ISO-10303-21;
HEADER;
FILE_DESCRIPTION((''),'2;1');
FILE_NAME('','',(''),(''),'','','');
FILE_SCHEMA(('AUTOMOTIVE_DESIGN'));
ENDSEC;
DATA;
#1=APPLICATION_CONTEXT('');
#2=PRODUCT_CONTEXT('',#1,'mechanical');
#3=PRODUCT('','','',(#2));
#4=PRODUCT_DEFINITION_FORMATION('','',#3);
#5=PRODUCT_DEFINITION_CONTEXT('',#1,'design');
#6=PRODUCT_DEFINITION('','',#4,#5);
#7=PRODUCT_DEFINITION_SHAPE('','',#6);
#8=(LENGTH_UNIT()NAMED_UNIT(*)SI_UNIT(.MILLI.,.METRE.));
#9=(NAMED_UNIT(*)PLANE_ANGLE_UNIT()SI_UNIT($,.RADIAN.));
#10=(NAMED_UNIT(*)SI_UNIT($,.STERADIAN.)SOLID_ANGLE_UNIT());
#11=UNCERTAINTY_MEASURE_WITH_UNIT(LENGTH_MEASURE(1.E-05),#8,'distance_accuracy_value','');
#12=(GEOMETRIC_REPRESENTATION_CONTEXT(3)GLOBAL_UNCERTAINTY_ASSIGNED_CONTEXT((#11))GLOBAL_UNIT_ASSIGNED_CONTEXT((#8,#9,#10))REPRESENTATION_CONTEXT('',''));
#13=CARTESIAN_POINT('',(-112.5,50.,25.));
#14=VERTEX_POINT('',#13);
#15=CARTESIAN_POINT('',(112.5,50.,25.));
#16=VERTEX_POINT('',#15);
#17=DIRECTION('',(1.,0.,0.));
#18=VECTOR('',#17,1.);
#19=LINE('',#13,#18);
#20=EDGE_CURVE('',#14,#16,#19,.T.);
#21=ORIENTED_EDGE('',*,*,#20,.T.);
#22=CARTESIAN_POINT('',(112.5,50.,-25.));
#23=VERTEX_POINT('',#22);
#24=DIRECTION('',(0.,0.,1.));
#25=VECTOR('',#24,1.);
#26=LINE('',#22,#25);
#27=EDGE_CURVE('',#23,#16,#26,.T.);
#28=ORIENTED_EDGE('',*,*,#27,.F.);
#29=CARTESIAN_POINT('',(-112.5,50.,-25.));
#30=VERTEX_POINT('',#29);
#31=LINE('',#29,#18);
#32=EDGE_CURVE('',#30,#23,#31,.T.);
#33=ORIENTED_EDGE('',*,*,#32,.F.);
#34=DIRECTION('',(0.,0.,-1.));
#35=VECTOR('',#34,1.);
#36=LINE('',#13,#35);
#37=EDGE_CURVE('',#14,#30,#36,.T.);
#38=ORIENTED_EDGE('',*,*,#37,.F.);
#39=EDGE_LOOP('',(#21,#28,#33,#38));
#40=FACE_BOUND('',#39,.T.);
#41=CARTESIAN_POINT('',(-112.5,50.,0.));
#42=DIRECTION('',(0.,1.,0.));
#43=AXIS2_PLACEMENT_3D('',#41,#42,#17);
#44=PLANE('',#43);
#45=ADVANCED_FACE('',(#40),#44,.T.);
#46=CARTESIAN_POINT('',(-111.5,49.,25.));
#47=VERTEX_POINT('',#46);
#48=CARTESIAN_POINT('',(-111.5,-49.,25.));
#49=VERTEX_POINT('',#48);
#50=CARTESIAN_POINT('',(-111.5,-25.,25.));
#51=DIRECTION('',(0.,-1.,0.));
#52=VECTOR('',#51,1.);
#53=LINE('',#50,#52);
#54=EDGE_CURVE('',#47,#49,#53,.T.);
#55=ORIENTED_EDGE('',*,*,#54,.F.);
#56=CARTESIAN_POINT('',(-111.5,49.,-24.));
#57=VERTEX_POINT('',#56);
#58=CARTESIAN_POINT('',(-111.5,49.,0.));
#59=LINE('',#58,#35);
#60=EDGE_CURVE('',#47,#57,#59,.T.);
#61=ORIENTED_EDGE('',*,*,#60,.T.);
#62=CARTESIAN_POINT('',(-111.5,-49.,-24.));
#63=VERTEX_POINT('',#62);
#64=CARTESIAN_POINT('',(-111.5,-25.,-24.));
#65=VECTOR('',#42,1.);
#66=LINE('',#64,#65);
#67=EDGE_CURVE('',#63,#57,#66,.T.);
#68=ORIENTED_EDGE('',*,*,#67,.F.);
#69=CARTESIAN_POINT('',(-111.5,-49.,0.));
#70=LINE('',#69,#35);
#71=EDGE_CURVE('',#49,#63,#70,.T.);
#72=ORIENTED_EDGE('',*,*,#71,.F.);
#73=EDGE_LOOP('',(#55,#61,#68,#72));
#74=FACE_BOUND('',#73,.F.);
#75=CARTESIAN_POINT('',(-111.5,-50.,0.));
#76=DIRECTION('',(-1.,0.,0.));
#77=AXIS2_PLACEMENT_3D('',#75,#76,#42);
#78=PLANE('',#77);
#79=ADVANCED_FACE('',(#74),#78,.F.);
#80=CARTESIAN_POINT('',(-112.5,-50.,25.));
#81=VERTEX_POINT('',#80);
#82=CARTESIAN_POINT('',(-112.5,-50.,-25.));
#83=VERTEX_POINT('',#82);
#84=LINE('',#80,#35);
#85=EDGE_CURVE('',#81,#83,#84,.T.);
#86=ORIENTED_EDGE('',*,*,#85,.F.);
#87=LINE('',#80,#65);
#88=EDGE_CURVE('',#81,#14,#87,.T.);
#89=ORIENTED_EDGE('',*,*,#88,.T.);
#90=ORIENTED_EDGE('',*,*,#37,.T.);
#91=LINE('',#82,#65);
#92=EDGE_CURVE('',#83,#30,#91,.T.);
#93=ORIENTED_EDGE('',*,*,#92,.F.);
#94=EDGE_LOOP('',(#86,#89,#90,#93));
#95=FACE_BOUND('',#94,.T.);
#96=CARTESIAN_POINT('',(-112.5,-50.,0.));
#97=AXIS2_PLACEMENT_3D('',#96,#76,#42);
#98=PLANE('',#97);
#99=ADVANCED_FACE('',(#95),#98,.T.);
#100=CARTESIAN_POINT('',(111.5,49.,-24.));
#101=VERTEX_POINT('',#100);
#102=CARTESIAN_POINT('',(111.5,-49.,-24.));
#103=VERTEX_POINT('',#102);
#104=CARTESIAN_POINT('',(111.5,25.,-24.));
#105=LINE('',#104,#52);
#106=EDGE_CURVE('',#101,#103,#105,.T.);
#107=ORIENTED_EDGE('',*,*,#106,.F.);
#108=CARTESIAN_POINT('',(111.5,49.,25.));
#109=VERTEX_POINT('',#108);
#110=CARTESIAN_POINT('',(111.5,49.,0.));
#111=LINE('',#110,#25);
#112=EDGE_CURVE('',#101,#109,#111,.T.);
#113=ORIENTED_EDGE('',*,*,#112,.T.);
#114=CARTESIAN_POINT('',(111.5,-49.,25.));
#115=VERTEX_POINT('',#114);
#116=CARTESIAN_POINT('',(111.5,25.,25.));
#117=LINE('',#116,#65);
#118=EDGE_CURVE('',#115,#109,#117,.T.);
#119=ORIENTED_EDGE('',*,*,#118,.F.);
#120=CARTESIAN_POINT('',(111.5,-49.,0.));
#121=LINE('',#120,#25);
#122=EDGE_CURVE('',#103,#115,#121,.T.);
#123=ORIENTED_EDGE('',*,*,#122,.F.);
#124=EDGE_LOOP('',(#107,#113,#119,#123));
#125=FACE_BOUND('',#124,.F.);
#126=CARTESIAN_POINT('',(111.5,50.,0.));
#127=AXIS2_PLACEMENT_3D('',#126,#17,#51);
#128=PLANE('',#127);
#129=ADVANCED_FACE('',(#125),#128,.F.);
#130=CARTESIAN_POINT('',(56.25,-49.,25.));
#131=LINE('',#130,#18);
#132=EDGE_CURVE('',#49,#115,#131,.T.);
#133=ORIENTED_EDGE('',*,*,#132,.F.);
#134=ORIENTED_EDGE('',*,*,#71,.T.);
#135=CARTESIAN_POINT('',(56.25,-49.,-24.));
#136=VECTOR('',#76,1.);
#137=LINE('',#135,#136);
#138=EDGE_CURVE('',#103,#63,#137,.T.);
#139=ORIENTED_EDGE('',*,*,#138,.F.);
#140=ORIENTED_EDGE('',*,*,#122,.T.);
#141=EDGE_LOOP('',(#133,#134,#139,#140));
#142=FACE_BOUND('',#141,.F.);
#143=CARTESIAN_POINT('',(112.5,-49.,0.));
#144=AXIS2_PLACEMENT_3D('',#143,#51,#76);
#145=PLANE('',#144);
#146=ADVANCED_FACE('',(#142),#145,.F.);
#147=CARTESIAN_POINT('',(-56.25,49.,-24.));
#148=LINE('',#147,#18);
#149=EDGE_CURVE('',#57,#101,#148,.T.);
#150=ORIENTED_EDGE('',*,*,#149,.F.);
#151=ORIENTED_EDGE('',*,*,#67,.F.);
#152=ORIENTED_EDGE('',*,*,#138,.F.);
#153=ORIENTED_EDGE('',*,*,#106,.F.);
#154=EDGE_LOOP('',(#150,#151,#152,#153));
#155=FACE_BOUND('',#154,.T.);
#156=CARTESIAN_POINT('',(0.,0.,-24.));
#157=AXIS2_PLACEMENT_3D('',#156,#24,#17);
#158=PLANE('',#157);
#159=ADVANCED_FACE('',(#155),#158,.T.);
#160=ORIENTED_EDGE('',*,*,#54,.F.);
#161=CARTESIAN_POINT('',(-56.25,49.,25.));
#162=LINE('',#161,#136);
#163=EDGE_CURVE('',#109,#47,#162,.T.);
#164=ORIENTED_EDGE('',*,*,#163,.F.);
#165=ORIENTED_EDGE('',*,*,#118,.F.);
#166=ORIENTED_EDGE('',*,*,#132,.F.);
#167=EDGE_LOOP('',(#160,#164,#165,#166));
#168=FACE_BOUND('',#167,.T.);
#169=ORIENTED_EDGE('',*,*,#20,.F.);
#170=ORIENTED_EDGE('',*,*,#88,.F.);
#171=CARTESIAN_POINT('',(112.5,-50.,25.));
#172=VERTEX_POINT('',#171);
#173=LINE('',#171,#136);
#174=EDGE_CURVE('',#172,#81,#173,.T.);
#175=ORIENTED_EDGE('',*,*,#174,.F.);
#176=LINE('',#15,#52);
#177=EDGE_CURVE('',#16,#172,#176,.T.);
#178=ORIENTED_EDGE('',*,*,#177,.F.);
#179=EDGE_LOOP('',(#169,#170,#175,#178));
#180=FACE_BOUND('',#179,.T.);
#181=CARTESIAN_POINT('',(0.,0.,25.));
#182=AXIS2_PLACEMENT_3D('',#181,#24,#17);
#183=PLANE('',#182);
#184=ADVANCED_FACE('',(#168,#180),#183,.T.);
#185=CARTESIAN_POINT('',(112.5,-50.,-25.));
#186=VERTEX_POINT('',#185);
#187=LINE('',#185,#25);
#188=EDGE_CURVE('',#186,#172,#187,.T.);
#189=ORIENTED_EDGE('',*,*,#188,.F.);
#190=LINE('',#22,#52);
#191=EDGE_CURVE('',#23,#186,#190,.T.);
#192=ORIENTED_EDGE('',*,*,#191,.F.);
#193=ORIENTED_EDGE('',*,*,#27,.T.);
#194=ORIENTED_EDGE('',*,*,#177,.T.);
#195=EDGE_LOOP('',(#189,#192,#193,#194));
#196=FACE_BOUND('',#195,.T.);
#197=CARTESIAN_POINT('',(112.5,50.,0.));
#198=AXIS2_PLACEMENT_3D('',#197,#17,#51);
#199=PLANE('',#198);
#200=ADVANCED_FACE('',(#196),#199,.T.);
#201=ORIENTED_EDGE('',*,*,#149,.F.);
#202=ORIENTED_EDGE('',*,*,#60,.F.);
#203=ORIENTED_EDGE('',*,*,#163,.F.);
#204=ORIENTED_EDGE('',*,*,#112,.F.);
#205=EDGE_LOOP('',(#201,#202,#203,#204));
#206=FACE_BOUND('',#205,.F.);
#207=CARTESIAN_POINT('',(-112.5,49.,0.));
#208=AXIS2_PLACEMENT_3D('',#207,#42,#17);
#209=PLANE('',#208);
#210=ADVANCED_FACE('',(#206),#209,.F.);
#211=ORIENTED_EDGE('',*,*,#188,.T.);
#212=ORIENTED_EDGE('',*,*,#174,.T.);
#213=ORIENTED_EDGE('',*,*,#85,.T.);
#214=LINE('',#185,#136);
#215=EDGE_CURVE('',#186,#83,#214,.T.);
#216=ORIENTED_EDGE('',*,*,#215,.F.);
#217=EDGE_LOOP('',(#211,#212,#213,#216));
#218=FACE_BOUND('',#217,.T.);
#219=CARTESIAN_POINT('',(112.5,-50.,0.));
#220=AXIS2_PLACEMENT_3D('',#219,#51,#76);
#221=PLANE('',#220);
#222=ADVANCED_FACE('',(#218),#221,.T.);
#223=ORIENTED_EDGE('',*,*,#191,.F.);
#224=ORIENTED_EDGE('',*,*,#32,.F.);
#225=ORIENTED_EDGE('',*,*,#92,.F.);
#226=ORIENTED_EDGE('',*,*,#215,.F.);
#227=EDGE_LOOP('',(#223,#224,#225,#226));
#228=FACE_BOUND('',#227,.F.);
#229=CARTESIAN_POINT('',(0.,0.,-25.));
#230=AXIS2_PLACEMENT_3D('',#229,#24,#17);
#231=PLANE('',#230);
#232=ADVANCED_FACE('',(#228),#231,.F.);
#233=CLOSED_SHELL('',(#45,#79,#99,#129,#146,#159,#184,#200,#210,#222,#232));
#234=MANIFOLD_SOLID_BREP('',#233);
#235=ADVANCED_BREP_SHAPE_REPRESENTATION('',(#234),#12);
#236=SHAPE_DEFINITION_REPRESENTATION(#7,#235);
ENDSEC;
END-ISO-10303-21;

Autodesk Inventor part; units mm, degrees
ref_plane "YZ Plane" through (0, 0, 0) normal (1, 0, 0) x (0, 1, 0)
ref_plane "XZ Plane" through (0, 0, 0) normal (0, 1, 0) x (-1, 0, 0)
ref_plane "XY Plane" through (0, 0, 0) normal (0, 0, 1) x (1, 0, 0)
sketch "Sketch1" plane through (0, 0, 0) normal (0, 0, 1) x (1, 0, 0)
  line L0 (0, 70) -> (0, -70) construction
  line L1 (-157.5, 0) -> (157.5, 0) construction
  line L2 (112.5, -50) -> (-112.5, -50)
  line L3 (-112.5, -50) -> (-112.5, 50)
  line L4 (-112.5, 50) -> (112.5, 50)
  line L5 (112.5, 50) -> (112.5, -50)
  line L6 (112.5, -50) -> (-112.5, 50) construction
  line L7 (-112.5, -50) -> (112.5, 50) construction
  point P0 (0, 0)
  dimension "d0" = 225
  dimension "d1" = 100
extrude "Extrusion1" add sketch "Sketch1" along normal mid plane 50
shell "Shell1" thickness 1 removed faces 1 at (37.5, 16.6667, 25)
properties part number "17-0028-0012" material "Steel"
